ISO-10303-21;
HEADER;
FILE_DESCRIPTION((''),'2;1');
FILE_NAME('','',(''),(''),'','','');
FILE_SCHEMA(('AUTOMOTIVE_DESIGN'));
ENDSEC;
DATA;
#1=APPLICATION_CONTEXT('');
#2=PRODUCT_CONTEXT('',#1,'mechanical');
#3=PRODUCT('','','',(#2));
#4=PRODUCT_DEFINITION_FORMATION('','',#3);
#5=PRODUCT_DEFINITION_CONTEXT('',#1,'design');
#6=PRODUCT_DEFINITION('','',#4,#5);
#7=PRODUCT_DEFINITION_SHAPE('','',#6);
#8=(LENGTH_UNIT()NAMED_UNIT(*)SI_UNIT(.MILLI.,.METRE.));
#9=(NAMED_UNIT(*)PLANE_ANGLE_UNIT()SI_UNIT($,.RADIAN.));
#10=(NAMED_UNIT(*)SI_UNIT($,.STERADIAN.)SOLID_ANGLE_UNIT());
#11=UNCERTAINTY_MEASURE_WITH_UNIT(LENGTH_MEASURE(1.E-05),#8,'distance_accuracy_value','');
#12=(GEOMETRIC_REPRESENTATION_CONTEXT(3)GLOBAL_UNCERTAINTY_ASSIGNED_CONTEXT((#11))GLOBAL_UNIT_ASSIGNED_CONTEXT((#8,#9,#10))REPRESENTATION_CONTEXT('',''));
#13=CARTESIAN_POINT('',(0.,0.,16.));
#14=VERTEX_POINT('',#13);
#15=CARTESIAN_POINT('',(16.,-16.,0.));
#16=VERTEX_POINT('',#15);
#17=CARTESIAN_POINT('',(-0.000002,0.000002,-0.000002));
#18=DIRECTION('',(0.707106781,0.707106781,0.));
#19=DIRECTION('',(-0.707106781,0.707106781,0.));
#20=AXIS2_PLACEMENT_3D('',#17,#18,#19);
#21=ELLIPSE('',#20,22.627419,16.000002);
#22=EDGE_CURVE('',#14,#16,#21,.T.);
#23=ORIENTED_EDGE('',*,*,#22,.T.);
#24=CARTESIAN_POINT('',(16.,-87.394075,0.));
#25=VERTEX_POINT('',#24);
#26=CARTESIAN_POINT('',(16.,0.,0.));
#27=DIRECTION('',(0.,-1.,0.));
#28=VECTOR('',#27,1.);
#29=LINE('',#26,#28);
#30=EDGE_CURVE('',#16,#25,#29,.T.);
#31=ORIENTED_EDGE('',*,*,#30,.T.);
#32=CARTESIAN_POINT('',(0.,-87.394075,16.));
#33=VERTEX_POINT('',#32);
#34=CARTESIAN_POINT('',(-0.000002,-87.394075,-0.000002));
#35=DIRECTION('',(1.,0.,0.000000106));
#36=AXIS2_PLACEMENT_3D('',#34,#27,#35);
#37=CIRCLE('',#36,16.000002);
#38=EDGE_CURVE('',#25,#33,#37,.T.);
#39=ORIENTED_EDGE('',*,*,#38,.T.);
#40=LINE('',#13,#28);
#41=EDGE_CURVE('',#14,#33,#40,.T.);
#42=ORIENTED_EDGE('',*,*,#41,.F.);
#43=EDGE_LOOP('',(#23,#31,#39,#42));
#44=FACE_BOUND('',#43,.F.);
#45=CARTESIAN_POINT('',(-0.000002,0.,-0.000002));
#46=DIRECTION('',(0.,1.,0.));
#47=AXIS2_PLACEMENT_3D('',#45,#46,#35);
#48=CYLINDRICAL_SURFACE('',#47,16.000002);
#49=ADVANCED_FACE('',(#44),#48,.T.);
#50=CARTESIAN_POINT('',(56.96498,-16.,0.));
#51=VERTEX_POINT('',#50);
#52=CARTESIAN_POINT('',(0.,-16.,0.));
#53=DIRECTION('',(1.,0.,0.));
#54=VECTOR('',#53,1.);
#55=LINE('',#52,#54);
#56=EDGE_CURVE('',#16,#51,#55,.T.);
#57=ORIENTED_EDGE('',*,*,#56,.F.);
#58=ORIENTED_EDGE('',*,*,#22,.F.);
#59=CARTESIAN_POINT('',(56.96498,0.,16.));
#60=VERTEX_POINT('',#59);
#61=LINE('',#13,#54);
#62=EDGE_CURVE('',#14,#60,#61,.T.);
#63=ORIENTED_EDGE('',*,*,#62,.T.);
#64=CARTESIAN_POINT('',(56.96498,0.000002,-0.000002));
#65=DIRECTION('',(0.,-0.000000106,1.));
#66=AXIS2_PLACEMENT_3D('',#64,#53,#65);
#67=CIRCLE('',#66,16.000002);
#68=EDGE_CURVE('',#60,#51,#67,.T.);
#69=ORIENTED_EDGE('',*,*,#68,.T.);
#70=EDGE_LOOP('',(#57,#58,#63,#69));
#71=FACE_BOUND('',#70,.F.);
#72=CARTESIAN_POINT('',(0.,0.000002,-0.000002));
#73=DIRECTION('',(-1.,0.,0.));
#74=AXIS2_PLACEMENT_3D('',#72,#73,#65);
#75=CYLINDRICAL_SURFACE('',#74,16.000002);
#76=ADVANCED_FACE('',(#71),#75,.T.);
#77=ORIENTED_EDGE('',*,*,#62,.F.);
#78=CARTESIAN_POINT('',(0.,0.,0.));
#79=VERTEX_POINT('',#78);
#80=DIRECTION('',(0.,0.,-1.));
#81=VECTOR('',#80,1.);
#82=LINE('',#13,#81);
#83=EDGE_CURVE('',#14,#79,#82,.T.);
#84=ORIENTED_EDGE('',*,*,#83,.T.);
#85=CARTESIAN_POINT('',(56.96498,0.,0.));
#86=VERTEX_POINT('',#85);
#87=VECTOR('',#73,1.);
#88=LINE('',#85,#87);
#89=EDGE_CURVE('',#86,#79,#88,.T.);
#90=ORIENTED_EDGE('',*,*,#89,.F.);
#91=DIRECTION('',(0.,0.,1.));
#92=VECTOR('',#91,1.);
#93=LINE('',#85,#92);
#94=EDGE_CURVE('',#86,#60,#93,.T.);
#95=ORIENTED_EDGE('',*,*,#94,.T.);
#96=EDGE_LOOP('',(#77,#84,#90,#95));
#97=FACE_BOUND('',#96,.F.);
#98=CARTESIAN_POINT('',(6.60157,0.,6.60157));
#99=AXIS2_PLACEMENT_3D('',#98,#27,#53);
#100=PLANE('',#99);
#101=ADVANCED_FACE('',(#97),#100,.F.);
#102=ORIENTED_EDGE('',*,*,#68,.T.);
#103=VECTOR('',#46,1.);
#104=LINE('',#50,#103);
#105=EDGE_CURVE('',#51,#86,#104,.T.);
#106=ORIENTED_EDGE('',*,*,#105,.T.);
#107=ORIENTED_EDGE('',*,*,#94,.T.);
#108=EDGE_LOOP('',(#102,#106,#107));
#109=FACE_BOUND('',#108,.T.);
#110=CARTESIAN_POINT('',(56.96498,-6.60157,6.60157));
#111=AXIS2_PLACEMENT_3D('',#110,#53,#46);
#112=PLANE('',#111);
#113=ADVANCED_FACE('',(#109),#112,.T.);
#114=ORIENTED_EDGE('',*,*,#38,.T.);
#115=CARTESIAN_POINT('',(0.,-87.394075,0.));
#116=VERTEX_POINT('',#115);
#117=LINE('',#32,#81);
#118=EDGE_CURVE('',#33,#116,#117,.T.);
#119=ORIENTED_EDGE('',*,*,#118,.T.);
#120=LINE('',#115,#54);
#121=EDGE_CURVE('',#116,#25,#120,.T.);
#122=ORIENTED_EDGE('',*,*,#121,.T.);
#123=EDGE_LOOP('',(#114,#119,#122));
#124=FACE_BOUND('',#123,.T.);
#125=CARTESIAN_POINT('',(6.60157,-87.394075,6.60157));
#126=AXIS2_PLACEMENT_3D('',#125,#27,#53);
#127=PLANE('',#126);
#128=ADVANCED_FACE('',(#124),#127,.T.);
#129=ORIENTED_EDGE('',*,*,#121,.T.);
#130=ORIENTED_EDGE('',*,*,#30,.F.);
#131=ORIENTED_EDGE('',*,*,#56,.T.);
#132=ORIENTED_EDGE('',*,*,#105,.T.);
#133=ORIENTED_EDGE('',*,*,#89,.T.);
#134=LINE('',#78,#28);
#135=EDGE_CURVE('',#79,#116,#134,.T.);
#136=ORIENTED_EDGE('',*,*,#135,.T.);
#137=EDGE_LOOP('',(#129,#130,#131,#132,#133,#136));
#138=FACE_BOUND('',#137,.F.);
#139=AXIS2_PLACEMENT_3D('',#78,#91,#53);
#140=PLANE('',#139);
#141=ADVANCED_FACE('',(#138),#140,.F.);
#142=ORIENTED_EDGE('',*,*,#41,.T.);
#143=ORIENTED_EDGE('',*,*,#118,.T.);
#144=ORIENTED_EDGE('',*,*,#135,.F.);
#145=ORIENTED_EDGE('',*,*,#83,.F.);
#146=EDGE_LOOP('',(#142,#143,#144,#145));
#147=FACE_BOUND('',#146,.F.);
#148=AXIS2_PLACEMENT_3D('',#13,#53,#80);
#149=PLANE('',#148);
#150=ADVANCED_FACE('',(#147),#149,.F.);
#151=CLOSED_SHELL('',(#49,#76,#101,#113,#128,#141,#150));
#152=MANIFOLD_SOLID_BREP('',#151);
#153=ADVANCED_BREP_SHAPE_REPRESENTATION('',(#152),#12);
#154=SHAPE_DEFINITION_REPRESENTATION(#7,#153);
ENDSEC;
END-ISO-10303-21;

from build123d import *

# Parameters (mm, degrees)
F1_DEPTH = 87.394075
F3_DEPTH = 56.96498


with BuildPart() as f1:
    # F0 (on Front) → F1 (new body)
    with BuildSketch(Plane.XZ):
        with BuildLine():
            ThreePointArc((16, 0), (11.313708, 11.313708), (0, 16))
            Line((0, 16), (0, 0))
            Line((0, 0), (16, 0))
        make_face()
    extrude(amount=F1_DEPTH)

    # F2 (on Right) → F3 (join)
    with BuildSketch(Plane.YZ):
        with BuildLine():
            Line((-16, 0), (0, 0))
            Line((0, 0), (0, 16))
            ThreePointArc((0, 16), (-11.313708, 11.313708), (-16, 0))
        make_face()
    extrude(amount=F3_DEPTH)


solid = f1.part
